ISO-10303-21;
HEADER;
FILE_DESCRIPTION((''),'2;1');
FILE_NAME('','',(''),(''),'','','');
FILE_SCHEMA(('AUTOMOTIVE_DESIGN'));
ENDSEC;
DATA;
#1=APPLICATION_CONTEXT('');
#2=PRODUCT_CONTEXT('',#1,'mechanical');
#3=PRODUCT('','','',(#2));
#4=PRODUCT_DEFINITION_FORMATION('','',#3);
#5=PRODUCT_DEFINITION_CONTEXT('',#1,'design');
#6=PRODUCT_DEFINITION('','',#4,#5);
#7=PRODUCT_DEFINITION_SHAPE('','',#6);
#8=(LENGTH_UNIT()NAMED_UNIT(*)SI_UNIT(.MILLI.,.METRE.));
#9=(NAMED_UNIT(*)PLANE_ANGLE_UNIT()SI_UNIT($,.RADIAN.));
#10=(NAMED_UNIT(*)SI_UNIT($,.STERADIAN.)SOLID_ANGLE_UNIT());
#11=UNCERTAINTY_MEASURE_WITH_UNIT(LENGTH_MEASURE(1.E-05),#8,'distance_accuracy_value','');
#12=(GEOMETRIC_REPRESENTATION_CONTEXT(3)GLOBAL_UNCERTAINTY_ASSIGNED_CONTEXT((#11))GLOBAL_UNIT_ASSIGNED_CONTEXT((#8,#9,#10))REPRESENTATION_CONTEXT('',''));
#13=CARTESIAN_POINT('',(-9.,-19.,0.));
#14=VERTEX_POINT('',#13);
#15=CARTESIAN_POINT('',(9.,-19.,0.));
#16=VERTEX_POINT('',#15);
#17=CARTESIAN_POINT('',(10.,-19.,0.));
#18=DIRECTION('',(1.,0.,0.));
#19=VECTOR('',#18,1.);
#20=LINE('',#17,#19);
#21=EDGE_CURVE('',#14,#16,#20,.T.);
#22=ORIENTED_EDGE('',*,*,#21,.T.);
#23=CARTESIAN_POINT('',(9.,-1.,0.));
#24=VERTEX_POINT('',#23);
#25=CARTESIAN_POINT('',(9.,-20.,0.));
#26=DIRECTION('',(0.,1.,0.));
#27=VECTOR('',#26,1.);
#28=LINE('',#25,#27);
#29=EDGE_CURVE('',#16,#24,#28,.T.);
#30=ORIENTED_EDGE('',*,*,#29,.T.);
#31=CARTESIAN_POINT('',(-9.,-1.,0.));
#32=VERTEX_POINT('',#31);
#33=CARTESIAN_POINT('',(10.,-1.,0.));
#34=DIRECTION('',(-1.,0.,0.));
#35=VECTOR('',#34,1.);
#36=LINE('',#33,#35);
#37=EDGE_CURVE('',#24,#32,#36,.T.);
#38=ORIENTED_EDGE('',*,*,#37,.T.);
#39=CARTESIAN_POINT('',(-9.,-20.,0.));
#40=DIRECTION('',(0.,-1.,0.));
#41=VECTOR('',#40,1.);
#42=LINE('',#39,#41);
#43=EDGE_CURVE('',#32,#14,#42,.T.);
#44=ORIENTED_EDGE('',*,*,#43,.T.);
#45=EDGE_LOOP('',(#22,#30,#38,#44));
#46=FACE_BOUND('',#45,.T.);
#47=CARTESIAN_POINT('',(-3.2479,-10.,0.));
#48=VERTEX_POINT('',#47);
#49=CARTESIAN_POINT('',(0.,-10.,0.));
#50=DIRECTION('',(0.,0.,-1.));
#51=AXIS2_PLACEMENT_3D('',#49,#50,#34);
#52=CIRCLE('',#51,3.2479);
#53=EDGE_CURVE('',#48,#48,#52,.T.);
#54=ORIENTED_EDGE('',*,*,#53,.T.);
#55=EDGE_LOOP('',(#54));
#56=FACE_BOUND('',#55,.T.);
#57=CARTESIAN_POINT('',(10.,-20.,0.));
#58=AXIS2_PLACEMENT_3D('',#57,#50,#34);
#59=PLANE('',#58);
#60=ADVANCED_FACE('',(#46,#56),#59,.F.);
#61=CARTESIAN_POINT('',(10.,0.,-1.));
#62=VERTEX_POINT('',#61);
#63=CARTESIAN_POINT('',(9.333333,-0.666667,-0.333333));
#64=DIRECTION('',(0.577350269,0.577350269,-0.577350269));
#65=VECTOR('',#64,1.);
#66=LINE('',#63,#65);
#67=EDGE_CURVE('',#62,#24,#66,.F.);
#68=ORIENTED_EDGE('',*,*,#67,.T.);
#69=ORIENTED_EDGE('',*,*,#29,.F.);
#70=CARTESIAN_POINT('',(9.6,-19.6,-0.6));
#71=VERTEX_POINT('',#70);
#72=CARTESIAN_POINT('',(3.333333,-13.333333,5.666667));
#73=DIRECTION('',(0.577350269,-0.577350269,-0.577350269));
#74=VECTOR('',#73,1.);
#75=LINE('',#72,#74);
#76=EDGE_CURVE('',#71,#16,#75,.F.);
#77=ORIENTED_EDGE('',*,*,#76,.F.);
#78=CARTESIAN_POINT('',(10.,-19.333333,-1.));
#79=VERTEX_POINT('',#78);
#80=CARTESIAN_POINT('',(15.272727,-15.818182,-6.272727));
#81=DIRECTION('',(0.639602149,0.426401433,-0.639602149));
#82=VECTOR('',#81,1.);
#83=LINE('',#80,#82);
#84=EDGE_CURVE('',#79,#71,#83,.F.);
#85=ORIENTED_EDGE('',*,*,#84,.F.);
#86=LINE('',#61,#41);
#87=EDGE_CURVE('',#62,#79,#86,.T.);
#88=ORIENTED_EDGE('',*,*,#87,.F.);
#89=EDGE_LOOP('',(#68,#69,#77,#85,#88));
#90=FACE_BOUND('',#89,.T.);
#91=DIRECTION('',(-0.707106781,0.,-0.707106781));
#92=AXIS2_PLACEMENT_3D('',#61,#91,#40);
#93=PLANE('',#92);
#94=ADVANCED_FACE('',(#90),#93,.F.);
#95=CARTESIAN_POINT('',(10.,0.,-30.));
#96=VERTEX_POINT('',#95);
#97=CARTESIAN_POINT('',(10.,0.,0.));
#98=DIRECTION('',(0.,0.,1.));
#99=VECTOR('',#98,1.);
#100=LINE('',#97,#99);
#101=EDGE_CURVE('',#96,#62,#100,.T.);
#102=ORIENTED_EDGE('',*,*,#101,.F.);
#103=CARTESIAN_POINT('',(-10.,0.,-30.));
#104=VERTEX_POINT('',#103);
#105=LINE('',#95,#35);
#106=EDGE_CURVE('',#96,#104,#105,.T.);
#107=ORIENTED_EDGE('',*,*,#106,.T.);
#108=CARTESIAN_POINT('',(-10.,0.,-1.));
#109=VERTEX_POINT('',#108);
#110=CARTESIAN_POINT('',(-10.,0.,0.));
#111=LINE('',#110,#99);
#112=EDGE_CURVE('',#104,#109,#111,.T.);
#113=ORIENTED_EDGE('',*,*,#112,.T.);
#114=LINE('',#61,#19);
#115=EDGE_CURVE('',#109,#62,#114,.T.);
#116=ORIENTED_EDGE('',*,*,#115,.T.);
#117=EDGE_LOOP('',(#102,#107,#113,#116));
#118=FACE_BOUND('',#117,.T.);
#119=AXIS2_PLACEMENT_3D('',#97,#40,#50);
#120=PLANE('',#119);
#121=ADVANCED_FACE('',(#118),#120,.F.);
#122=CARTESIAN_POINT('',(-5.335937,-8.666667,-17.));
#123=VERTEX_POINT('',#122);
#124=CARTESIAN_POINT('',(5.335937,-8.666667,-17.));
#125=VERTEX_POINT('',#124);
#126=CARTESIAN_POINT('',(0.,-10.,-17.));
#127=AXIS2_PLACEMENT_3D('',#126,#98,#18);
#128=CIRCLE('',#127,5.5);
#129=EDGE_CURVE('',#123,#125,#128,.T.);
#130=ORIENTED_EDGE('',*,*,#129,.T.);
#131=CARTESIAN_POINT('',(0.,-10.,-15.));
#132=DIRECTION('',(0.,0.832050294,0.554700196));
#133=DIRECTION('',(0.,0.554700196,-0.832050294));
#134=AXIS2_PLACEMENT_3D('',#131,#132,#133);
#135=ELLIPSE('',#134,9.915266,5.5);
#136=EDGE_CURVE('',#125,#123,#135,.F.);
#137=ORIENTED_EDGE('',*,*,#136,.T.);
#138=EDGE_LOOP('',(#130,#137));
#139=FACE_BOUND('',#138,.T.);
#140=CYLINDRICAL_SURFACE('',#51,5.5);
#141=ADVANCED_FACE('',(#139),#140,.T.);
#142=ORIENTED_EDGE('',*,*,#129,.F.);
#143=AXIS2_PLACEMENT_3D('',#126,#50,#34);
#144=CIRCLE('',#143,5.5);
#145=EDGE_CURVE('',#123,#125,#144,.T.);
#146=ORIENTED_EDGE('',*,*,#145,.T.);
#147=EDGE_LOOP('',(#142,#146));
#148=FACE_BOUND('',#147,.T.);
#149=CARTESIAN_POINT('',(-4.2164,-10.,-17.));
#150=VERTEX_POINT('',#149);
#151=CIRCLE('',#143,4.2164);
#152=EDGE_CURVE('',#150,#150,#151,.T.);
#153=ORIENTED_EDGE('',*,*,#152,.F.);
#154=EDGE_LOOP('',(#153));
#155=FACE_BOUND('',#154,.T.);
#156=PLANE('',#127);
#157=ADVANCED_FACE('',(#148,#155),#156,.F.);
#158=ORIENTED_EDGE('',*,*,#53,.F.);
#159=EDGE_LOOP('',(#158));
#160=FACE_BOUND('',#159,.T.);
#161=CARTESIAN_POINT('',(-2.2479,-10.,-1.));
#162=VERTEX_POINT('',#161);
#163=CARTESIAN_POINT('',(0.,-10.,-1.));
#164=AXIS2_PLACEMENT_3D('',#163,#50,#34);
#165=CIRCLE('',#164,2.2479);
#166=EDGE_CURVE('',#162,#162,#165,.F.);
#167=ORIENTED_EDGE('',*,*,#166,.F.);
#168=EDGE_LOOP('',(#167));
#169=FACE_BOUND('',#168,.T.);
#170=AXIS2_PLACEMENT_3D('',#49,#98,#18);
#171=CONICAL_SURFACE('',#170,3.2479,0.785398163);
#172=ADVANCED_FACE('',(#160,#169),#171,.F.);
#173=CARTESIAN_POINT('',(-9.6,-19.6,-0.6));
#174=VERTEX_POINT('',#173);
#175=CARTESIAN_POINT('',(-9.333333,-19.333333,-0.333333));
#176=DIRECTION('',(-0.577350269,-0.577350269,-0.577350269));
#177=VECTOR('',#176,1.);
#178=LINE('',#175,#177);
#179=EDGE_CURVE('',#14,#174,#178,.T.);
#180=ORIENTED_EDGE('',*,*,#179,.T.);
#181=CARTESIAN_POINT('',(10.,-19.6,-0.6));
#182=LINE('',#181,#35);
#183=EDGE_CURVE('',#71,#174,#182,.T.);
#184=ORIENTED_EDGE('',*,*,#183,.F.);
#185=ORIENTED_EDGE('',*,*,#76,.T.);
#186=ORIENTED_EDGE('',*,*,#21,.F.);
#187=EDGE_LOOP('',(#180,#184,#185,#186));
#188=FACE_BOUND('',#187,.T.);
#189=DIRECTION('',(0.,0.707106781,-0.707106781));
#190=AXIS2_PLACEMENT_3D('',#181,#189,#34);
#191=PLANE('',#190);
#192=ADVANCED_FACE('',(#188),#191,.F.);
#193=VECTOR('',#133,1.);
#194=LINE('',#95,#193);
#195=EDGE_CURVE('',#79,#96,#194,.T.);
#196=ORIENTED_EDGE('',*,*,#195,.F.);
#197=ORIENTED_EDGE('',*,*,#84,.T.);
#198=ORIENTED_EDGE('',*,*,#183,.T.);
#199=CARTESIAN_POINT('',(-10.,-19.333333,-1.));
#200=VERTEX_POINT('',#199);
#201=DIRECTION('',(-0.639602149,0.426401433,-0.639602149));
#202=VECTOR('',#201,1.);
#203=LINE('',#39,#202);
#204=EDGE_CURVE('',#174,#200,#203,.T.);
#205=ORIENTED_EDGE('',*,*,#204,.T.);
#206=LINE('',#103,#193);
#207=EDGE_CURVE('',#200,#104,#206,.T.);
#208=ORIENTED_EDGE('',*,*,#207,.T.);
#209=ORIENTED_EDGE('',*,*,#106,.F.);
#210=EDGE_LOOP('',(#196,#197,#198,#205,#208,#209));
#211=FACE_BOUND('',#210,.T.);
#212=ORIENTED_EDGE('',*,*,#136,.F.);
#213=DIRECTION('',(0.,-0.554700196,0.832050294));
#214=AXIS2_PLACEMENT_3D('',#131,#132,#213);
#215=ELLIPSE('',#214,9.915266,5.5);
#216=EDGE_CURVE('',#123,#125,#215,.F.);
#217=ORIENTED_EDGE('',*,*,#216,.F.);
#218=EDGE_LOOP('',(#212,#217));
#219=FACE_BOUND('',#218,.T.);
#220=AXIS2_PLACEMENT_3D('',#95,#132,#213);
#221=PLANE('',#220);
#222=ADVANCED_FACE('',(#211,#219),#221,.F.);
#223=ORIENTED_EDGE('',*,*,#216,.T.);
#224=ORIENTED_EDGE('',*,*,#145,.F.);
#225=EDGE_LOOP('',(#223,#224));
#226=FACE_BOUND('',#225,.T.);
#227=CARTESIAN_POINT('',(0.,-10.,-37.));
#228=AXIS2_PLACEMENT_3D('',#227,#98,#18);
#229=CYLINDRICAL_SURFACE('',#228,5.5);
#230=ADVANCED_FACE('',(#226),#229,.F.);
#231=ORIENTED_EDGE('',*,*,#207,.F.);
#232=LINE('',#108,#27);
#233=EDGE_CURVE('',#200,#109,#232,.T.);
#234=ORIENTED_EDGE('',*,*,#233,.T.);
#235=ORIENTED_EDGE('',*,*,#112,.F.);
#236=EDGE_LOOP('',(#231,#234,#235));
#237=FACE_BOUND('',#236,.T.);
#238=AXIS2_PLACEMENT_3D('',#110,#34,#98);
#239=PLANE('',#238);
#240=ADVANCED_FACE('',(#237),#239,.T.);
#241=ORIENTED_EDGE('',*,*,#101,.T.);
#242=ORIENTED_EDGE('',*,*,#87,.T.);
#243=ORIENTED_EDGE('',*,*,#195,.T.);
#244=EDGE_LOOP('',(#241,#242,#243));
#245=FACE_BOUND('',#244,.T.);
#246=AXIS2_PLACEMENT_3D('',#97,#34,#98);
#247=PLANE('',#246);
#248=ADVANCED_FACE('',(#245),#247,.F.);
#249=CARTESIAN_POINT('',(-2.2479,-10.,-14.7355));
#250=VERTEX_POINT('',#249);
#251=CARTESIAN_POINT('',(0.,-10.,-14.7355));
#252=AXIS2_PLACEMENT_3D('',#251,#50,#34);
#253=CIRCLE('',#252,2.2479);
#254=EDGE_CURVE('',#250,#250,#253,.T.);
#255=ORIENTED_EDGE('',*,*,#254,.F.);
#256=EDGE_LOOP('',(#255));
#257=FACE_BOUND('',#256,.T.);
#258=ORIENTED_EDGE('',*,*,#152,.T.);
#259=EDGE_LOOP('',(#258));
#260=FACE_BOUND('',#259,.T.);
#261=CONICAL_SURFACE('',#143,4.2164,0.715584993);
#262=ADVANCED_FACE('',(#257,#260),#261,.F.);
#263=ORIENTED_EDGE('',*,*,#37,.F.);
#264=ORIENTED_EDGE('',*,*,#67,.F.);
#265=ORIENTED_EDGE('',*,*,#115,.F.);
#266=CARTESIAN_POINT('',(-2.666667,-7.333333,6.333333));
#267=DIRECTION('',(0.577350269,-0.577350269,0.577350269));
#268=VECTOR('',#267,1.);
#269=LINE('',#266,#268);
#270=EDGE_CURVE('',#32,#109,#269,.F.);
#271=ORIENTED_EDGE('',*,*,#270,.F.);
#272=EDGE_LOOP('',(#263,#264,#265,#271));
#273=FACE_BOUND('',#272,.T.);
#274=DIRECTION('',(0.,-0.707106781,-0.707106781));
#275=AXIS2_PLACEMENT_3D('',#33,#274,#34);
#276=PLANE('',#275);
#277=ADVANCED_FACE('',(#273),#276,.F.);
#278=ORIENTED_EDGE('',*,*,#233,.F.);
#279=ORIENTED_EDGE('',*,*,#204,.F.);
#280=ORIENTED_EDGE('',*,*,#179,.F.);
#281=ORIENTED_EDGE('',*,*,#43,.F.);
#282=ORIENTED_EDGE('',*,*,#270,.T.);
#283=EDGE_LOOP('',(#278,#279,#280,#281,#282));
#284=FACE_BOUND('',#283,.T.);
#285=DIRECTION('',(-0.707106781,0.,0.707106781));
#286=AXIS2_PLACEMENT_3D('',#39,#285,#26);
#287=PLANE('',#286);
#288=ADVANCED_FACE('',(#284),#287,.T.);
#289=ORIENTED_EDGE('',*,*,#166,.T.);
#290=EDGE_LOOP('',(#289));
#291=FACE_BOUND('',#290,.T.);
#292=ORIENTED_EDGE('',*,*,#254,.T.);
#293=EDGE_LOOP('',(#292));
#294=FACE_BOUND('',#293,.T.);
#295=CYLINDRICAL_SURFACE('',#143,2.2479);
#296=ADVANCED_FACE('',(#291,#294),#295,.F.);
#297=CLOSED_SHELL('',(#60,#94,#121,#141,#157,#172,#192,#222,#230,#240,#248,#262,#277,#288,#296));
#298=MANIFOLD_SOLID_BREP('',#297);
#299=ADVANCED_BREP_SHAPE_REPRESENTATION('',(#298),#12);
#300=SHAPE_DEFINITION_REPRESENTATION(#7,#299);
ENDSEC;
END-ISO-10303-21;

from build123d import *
from OCP.BRepFilletAPI import BRepFilletAPI_MakeChamfer

# Parameters (mm, degrees)
BOSS_EXTRUDE1_DEPTH                            = 10
BOSS_EXTRUDE2_REACH                            = 30.089
SKETCH2_R                                      = 5.5
CUT_EXTRUDE1_START                             = 20
SKETCH3_R                                      = 5.5
CUT_EXTRUDE1_DEPTH                             = 20
CSK_FOR_8_FLAT_HEAD_MACHINE_SCREW1_D           = 4.4958
CSK_FOR_8_FLAT_HEAD_MACHINE_SCREW1_CSINK_D     = 8.4328
CSK_FOR_8_FLAT_HEAD_MACHINE_SCREW1_CSINK_ANGLE = 82
CHAMFER1_SIZE                                  = 1
CHAMFER1_SIZE2                                 = 0.721110255


with BuildPart() as part:
    # Sketch1 → Boss-Extrude1 (new, symmetric)
    with BuildSketch(Plane(origin=(0, 0, 0), x_dir=(0, 0, -1), z_dir=(1, 0, 0))):
        Polygon((0, 0), (30, 0), (0, -20), align=None)
    extrude(amount=BOSS_EXTRUDE1_DEPTH, both=True)

    # Sketch2 → Boss-Extrude2 (add, up to next)
    with BuildSketch(Plane.XY.offset(-17), mode=Mode.PRIVATE) as boss_extrude2_sk1:
        with Locations((0, -10)):
            Circle(SKETCH2_R)
    boss_extrude2_tool1 = extrude(boss_extrude2_sk1.sketch, amount=BOSS_EXTRUDE2_REACH, mode=Mode.PRIVATE) - part.part
    add(boss_extrude2_tool1.solids().sort_by_distance((0, -10, -17))[0])

    # Sketch3 → Cut-Extrude1 (cut)
    with BuildSketch(Plane(origin=(0, 0, -17), x_dir=(-1, 0, 0), z_dir=(0, 0, -1)).offset(CUT_EXTRUDE1_START)):
        with Locations((0, -10)):
            Circle(SKETCH3_R)
    extrude(amount=-CUT_EXTRUDE1_DEPTH, mode=Mode.SUBTRACT)

    # CSK for #8 Flat Head Machine Screw1 (through all)
    with Locations(Plane(origin=(0, 0, -17), x_dir=(-1, 0, 0), z_dir=(0, 0, -1))):
        with Locations((0, -10)):
            CounterSinkHole(CSK_FOR_8_FLAT_HEAD_MACHINE_SCREW1_D / 2, CSK_FOR_8_FLAT_HEAD_MACHINE_SCREW1_CSINK_D / 2, counter_sink_angle=CSK_FOR_8_FLAT_HEAD_MACHINE_SCREW1_CSINK_ANGLE)

    # Chamfer1: one chamfer whose edges measure the first distance from different faces: ONE call of the kernel's chamfer builder (chamfer() names one face for all edges)
    chamfer1_edges_1 = [part.edges().sort_by_distance(p)[0] for p in [
        (-2.2479, -10, 0),
        (-10, -10, 0),
        (10, -10, 0),
        (0, 0, 0),
    ]]
    chamfer1_edges_2 = [part.edges().sort_by_distance(p)[0] for p in [
        (0, -20, 0),
    ]]
    chamfer1_side_2 = [part.faces().sort_by_distance(p)[0] for p in [
        (0, -19.717157288, 0),
    ]]
    chamfer1 = BRepFilletAPI_MakeChamfer(part.part.solid().wrapped)
    for e in chamfer1_edges_1:
        chamfer1.Add(CHAMFER1_SIZE, e.wrapped)
    for e in chamfer1_edges_2:
        chamfer1.Add(CHAMFER1_SIZE, CHAMFER1_SIZE2, e.wrapped, chamfer1_side_2[0].wrapped)  # the first distance lies on this face
    add(Compound.cast(chamfer1.Shape()), mode=Mode.REPLACE)


solid = part.part
